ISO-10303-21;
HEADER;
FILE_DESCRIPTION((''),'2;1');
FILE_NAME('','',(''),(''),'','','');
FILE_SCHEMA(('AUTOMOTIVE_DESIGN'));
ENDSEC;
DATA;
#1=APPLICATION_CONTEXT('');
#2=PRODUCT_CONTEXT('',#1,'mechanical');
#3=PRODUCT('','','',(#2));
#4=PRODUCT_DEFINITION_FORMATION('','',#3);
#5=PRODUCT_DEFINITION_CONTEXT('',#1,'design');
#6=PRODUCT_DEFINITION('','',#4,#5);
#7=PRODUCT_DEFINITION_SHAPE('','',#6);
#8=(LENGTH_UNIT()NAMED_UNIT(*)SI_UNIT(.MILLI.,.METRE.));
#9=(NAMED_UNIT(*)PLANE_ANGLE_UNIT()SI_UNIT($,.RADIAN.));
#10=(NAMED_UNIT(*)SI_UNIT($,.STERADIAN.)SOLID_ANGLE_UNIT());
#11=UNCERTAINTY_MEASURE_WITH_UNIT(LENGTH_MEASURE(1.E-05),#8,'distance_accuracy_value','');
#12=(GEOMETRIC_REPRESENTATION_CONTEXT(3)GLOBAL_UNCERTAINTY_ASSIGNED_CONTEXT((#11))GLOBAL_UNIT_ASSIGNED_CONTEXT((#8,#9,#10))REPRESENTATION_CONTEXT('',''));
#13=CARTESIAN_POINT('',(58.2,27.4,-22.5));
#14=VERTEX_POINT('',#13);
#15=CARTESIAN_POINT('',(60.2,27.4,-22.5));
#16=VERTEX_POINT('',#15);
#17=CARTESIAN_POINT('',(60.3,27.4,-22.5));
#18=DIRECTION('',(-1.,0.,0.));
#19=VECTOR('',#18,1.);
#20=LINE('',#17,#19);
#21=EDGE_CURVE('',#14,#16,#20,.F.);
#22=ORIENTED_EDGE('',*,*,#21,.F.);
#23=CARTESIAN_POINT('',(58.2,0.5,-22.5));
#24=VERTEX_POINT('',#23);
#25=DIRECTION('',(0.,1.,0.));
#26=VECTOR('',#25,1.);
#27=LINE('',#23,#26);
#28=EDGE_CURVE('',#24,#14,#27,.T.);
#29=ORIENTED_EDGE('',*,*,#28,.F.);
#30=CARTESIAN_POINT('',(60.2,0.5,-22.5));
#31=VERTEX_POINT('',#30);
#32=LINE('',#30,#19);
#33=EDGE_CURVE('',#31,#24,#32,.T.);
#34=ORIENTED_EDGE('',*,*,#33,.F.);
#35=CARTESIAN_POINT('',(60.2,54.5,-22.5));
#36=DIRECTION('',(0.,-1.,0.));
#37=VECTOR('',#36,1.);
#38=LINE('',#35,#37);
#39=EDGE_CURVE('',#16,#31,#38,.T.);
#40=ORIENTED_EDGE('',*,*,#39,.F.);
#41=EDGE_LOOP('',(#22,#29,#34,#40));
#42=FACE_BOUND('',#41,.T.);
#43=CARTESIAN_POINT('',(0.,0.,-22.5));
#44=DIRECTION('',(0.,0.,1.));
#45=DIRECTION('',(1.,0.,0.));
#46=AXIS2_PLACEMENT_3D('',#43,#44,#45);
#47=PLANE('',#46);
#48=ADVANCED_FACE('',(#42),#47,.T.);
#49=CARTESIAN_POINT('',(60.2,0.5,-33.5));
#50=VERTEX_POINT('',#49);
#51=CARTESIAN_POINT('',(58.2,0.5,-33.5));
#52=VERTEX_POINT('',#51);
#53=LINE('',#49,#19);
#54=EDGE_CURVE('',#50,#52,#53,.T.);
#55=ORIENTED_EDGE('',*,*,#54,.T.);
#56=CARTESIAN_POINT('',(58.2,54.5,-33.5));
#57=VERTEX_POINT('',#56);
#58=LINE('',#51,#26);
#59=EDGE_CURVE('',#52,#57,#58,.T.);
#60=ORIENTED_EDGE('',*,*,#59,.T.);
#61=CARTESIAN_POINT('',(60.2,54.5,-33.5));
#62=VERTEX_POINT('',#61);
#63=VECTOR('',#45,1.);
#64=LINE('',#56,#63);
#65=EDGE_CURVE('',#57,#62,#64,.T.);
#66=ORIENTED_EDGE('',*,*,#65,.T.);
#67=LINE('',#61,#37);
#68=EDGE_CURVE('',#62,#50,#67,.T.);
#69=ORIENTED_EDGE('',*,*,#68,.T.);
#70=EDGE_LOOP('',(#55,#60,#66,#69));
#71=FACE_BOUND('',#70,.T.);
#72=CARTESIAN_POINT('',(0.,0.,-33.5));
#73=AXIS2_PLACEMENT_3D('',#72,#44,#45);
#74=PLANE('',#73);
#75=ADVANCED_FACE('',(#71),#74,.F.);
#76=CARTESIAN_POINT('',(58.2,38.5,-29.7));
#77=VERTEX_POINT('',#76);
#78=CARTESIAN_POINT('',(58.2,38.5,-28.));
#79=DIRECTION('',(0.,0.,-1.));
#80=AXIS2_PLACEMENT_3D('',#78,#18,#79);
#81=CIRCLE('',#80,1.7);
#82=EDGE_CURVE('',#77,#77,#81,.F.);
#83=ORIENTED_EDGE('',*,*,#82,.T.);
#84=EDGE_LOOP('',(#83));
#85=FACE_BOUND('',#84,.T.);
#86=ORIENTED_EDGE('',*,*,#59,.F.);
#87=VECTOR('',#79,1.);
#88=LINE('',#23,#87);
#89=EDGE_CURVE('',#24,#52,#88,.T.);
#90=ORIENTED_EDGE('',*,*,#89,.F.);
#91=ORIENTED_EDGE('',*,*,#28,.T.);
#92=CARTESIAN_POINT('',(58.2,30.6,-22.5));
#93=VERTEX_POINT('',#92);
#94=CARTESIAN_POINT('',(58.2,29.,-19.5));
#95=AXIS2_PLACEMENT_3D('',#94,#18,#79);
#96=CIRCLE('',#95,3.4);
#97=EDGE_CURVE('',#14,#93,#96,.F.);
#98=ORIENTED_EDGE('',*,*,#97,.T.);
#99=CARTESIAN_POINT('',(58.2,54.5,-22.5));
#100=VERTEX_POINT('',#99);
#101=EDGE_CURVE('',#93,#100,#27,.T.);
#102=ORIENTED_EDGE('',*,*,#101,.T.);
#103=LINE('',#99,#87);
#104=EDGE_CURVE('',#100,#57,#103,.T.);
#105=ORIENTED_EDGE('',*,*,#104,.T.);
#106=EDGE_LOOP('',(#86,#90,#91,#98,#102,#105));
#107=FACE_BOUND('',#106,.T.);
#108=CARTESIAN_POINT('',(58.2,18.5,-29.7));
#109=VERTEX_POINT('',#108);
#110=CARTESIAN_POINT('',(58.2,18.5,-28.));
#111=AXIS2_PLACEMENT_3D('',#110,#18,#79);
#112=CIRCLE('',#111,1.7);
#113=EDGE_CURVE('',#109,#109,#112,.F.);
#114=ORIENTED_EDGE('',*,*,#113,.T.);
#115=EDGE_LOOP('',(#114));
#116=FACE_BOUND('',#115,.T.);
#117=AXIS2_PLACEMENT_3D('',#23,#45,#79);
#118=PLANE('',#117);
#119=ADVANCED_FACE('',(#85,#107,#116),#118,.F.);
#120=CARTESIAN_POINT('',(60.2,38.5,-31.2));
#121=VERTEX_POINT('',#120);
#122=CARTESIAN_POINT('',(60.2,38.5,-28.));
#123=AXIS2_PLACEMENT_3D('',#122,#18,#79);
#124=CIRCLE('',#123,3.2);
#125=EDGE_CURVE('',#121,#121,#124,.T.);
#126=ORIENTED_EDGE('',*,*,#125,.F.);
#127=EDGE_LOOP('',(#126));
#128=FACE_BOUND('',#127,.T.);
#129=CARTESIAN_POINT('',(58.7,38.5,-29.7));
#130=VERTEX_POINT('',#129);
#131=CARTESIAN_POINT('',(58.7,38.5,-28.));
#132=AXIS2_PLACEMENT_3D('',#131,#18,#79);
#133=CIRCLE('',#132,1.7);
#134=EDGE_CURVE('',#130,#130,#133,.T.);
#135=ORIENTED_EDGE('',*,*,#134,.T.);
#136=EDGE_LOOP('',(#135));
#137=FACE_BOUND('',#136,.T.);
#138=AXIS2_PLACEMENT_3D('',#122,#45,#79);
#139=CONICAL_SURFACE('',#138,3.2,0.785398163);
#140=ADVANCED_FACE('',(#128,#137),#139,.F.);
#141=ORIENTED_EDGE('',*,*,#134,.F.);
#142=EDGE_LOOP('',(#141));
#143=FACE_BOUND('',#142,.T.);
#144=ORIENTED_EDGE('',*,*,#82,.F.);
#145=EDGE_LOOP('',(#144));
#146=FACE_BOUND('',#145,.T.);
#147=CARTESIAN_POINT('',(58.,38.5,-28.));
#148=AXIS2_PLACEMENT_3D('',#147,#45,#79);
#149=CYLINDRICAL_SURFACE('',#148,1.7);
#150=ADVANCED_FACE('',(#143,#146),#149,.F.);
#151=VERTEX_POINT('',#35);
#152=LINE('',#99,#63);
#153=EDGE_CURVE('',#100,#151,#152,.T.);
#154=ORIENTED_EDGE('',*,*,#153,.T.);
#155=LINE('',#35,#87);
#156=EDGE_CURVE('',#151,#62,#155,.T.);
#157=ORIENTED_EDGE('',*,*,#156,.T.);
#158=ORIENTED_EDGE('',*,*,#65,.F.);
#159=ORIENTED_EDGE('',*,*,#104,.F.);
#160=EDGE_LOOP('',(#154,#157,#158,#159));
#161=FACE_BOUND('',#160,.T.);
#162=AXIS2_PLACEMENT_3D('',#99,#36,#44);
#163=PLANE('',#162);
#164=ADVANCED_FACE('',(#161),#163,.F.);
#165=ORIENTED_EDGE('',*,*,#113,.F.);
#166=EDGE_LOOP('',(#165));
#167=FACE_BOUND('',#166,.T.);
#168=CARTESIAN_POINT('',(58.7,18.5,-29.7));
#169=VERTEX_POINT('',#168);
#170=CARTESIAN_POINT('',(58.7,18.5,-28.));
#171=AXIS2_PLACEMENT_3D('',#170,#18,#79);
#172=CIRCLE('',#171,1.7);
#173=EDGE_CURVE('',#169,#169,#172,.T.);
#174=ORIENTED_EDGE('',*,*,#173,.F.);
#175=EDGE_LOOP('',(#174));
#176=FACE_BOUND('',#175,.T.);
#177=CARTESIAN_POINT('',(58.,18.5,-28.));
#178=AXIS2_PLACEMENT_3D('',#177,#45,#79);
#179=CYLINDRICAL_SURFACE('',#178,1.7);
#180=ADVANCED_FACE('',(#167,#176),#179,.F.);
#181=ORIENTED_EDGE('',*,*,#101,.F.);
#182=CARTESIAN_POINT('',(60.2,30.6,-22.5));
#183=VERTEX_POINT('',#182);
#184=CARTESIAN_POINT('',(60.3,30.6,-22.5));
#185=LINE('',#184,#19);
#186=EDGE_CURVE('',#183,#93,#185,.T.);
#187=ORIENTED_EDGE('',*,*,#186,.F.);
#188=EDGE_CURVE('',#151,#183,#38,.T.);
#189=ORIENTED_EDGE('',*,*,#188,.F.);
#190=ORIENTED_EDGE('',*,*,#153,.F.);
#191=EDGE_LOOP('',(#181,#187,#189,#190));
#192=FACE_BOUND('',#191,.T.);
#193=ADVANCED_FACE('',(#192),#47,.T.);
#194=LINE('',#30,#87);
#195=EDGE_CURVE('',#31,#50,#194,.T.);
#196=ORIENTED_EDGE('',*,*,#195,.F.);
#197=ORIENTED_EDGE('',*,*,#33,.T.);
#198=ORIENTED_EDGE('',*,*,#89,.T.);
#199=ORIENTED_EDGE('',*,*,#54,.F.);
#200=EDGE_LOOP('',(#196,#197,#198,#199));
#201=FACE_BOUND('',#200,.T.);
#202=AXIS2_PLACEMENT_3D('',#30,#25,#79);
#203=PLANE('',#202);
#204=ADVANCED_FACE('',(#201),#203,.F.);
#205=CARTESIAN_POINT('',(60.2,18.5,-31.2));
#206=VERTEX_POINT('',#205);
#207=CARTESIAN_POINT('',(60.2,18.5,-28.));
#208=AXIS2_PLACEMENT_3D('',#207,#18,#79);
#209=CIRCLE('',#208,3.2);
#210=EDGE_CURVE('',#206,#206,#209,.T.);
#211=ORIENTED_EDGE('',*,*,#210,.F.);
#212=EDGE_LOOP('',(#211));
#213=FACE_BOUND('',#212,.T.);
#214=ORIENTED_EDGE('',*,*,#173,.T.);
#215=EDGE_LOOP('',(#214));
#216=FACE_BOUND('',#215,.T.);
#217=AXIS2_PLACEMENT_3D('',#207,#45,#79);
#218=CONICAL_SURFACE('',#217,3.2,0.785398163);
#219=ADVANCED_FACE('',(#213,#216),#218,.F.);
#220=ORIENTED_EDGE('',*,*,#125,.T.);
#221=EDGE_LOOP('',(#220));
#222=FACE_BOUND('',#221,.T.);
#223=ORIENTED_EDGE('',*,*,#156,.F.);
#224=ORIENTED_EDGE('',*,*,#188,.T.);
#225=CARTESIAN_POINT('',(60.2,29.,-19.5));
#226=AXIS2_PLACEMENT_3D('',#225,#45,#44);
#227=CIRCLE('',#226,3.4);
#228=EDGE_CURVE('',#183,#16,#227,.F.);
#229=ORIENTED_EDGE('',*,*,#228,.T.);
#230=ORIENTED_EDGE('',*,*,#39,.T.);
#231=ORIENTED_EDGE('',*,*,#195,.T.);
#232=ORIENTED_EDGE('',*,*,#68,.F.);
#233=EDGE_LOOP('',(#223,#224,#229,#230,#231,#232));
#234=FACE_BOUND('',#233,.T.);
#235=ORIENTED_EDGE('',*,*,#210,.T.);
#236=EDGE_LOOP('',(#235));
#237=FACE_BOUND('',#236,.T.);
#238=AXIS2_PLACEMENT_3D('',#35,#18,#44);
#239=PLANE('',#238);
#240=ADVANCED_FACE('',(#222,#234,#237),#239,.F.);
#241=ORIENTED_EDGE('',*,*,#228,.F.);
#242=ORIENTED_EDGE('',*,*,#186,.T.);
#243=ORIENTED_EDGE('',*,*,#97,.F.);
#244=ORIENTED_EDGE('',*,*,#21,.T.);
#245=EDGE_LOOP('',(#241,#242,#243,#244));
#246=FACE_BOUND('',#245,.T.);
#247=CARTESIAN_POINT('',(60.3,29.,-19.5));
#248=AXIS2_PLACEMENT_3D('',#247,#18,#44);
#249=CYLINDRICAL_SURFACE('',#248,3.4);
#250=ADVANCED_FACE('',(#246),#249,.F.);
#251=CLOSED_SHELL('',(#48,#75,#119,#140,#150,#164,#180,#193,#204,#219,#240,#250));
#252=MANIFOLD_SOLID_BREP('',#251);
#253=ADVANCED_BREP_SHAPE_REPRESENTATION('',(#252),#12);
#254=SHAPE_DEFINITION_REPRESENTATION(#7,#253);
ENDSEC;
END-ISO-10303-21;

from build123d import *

# Parameters (mm, degrees)
END_STOP_SHEET_SKETCH_W                   = 2
END_STOP_SHEET_SKETCH_H                   = 54
END_STOP_SHEET_DEPTH                      = 11
SCREW_END_CLEARANCE_SKETCH_R              = 3.4
SCREW_END_CLEARANCE_DEPTH                 = 2.2
M3_COUNTERSUNK_CLEARANCE_1_BORE_PROFILE_R = 1.7
M3_COUNTERSUNK_CLEARANCE_1_BORE_DEPTH     = 2.2
M3_COUNTERSUNK_CLEARANCE_2_BORE_PROFILE_R = 1.7
M3_COUNTERSUNK_CLEARANCE_2_BORE_DEPTH     = 2.2


with BuildPart() as part:
    # End stop sheet sketch → End stop sheet (new body)
    with BuildSketch(Plane.XY.offset(-33.5)):
        with Locations((59.2, -27.5)):
            Rectangle(END_STOP_SHEET_SKETCH_W, END_STOP_SHEET_SKETCH_H)
    extrude(amount=END_STOP_SHEET_DEPTH)

    # Screw end clearance sketch → Screw end clearance (cut)
    with BuildSketch(Plane(origin=(58.1, 0, 0), x_dir=(0, 0, -1), z_dir=(1, 0, 0))):
        with Locations((19.5, -29)):
            Circle(SCREW_END_CLEARANCE_SKETCH_R)
    extrude(amount=SCREW_END_CLEARANCE_DEPTH, mode=Mode.SUBTRACT)

    # M3 countersunk clearance 1 bore profile → M3 countersunk clearance 1 bore (cut)
    with BuildSketch(Plane.ZY.offset(-60.2)):
        with Locations(Location((-28, -18.5, 0), (0, 0, 180))):
            Circle(M3_COUNTERSUNK_CLEARANCE_1_BORE_PROFILE_R)
    extrude(amount=M3_COUNTERSUNK_CLEARANCE_1_BORE_DEPTH, mode=Mode.SUBTRACT)

    # M3 countersunk clearance 1 countersink p → M3 countersunk clearance 1 countersink (revolve, cut)
    with BuildSketch(Plane.XY.offset(-28), mode=Mode.PRIVATE) as m3_countersunk_clearance_1_countersink_sk:
        Polygon((60.2, -18.5), (60.2, -15.3), (58.7, -16.8), (58.7, -18.5), align=None)
    revolve(m3_countersunk_clearance_1_countersink_sk.sketch.rotate(Axis((70.2, -18.5, -28), (-1, 0, 0)), 90), axis=Axis((70.2, -18.5, -28), (-1, 0, 0)), mode=Mode.SUBTRACT)

    # M3 countersunk clearance 2 bore profile → M3 countersunk clearance 2 bore (cut)
    with BuildSketch(Plane.ZY.offset(-60.2)):
        with Locations(Location((-28, -38.5, 0), (0, 0, 180))):
            Circle(M3_COUNTERSUNK_CLEARANCE_2_BORE_PROFILE_R)
    extrude(amount=M3_COUNTERSUNK_CLEARANCE_2_BORE_DEPTH, mode=Mode.SUBTRACT)

    # M3 countersunk clearance 2 countersink p → M3 countersunk clearance 2 countersink (revolve, cut)
    with BuildSketch(Plane.XY.offset(-28), mode=Mode.PRIVATE) as m3_countersunk_clearance_2_countersink_sk:
        Polygon((60.2, -38.5), (60.2, -35.3), (58.7, -36.8), (58.7, -38.5), align=None)
    revolve(m3_countersunk_clearance_2_countersink_sk.sketch.rotate(Axis((70.2, -38.5, -28), (-1, 0, 0)), 90), axis=Axis((70.2, -38.5, -28), (-1, 0, 0)), mode=Mode.SUBTRACT)


with BuildPart() as body_2:
    # Mirror1: mirrored copy
    add(part.part.mirror(Plane(origin=(0, 0, 0), x_dir=(0, 0, 1), z_dir=(0, -1, 0))))


solid = body_2.part
